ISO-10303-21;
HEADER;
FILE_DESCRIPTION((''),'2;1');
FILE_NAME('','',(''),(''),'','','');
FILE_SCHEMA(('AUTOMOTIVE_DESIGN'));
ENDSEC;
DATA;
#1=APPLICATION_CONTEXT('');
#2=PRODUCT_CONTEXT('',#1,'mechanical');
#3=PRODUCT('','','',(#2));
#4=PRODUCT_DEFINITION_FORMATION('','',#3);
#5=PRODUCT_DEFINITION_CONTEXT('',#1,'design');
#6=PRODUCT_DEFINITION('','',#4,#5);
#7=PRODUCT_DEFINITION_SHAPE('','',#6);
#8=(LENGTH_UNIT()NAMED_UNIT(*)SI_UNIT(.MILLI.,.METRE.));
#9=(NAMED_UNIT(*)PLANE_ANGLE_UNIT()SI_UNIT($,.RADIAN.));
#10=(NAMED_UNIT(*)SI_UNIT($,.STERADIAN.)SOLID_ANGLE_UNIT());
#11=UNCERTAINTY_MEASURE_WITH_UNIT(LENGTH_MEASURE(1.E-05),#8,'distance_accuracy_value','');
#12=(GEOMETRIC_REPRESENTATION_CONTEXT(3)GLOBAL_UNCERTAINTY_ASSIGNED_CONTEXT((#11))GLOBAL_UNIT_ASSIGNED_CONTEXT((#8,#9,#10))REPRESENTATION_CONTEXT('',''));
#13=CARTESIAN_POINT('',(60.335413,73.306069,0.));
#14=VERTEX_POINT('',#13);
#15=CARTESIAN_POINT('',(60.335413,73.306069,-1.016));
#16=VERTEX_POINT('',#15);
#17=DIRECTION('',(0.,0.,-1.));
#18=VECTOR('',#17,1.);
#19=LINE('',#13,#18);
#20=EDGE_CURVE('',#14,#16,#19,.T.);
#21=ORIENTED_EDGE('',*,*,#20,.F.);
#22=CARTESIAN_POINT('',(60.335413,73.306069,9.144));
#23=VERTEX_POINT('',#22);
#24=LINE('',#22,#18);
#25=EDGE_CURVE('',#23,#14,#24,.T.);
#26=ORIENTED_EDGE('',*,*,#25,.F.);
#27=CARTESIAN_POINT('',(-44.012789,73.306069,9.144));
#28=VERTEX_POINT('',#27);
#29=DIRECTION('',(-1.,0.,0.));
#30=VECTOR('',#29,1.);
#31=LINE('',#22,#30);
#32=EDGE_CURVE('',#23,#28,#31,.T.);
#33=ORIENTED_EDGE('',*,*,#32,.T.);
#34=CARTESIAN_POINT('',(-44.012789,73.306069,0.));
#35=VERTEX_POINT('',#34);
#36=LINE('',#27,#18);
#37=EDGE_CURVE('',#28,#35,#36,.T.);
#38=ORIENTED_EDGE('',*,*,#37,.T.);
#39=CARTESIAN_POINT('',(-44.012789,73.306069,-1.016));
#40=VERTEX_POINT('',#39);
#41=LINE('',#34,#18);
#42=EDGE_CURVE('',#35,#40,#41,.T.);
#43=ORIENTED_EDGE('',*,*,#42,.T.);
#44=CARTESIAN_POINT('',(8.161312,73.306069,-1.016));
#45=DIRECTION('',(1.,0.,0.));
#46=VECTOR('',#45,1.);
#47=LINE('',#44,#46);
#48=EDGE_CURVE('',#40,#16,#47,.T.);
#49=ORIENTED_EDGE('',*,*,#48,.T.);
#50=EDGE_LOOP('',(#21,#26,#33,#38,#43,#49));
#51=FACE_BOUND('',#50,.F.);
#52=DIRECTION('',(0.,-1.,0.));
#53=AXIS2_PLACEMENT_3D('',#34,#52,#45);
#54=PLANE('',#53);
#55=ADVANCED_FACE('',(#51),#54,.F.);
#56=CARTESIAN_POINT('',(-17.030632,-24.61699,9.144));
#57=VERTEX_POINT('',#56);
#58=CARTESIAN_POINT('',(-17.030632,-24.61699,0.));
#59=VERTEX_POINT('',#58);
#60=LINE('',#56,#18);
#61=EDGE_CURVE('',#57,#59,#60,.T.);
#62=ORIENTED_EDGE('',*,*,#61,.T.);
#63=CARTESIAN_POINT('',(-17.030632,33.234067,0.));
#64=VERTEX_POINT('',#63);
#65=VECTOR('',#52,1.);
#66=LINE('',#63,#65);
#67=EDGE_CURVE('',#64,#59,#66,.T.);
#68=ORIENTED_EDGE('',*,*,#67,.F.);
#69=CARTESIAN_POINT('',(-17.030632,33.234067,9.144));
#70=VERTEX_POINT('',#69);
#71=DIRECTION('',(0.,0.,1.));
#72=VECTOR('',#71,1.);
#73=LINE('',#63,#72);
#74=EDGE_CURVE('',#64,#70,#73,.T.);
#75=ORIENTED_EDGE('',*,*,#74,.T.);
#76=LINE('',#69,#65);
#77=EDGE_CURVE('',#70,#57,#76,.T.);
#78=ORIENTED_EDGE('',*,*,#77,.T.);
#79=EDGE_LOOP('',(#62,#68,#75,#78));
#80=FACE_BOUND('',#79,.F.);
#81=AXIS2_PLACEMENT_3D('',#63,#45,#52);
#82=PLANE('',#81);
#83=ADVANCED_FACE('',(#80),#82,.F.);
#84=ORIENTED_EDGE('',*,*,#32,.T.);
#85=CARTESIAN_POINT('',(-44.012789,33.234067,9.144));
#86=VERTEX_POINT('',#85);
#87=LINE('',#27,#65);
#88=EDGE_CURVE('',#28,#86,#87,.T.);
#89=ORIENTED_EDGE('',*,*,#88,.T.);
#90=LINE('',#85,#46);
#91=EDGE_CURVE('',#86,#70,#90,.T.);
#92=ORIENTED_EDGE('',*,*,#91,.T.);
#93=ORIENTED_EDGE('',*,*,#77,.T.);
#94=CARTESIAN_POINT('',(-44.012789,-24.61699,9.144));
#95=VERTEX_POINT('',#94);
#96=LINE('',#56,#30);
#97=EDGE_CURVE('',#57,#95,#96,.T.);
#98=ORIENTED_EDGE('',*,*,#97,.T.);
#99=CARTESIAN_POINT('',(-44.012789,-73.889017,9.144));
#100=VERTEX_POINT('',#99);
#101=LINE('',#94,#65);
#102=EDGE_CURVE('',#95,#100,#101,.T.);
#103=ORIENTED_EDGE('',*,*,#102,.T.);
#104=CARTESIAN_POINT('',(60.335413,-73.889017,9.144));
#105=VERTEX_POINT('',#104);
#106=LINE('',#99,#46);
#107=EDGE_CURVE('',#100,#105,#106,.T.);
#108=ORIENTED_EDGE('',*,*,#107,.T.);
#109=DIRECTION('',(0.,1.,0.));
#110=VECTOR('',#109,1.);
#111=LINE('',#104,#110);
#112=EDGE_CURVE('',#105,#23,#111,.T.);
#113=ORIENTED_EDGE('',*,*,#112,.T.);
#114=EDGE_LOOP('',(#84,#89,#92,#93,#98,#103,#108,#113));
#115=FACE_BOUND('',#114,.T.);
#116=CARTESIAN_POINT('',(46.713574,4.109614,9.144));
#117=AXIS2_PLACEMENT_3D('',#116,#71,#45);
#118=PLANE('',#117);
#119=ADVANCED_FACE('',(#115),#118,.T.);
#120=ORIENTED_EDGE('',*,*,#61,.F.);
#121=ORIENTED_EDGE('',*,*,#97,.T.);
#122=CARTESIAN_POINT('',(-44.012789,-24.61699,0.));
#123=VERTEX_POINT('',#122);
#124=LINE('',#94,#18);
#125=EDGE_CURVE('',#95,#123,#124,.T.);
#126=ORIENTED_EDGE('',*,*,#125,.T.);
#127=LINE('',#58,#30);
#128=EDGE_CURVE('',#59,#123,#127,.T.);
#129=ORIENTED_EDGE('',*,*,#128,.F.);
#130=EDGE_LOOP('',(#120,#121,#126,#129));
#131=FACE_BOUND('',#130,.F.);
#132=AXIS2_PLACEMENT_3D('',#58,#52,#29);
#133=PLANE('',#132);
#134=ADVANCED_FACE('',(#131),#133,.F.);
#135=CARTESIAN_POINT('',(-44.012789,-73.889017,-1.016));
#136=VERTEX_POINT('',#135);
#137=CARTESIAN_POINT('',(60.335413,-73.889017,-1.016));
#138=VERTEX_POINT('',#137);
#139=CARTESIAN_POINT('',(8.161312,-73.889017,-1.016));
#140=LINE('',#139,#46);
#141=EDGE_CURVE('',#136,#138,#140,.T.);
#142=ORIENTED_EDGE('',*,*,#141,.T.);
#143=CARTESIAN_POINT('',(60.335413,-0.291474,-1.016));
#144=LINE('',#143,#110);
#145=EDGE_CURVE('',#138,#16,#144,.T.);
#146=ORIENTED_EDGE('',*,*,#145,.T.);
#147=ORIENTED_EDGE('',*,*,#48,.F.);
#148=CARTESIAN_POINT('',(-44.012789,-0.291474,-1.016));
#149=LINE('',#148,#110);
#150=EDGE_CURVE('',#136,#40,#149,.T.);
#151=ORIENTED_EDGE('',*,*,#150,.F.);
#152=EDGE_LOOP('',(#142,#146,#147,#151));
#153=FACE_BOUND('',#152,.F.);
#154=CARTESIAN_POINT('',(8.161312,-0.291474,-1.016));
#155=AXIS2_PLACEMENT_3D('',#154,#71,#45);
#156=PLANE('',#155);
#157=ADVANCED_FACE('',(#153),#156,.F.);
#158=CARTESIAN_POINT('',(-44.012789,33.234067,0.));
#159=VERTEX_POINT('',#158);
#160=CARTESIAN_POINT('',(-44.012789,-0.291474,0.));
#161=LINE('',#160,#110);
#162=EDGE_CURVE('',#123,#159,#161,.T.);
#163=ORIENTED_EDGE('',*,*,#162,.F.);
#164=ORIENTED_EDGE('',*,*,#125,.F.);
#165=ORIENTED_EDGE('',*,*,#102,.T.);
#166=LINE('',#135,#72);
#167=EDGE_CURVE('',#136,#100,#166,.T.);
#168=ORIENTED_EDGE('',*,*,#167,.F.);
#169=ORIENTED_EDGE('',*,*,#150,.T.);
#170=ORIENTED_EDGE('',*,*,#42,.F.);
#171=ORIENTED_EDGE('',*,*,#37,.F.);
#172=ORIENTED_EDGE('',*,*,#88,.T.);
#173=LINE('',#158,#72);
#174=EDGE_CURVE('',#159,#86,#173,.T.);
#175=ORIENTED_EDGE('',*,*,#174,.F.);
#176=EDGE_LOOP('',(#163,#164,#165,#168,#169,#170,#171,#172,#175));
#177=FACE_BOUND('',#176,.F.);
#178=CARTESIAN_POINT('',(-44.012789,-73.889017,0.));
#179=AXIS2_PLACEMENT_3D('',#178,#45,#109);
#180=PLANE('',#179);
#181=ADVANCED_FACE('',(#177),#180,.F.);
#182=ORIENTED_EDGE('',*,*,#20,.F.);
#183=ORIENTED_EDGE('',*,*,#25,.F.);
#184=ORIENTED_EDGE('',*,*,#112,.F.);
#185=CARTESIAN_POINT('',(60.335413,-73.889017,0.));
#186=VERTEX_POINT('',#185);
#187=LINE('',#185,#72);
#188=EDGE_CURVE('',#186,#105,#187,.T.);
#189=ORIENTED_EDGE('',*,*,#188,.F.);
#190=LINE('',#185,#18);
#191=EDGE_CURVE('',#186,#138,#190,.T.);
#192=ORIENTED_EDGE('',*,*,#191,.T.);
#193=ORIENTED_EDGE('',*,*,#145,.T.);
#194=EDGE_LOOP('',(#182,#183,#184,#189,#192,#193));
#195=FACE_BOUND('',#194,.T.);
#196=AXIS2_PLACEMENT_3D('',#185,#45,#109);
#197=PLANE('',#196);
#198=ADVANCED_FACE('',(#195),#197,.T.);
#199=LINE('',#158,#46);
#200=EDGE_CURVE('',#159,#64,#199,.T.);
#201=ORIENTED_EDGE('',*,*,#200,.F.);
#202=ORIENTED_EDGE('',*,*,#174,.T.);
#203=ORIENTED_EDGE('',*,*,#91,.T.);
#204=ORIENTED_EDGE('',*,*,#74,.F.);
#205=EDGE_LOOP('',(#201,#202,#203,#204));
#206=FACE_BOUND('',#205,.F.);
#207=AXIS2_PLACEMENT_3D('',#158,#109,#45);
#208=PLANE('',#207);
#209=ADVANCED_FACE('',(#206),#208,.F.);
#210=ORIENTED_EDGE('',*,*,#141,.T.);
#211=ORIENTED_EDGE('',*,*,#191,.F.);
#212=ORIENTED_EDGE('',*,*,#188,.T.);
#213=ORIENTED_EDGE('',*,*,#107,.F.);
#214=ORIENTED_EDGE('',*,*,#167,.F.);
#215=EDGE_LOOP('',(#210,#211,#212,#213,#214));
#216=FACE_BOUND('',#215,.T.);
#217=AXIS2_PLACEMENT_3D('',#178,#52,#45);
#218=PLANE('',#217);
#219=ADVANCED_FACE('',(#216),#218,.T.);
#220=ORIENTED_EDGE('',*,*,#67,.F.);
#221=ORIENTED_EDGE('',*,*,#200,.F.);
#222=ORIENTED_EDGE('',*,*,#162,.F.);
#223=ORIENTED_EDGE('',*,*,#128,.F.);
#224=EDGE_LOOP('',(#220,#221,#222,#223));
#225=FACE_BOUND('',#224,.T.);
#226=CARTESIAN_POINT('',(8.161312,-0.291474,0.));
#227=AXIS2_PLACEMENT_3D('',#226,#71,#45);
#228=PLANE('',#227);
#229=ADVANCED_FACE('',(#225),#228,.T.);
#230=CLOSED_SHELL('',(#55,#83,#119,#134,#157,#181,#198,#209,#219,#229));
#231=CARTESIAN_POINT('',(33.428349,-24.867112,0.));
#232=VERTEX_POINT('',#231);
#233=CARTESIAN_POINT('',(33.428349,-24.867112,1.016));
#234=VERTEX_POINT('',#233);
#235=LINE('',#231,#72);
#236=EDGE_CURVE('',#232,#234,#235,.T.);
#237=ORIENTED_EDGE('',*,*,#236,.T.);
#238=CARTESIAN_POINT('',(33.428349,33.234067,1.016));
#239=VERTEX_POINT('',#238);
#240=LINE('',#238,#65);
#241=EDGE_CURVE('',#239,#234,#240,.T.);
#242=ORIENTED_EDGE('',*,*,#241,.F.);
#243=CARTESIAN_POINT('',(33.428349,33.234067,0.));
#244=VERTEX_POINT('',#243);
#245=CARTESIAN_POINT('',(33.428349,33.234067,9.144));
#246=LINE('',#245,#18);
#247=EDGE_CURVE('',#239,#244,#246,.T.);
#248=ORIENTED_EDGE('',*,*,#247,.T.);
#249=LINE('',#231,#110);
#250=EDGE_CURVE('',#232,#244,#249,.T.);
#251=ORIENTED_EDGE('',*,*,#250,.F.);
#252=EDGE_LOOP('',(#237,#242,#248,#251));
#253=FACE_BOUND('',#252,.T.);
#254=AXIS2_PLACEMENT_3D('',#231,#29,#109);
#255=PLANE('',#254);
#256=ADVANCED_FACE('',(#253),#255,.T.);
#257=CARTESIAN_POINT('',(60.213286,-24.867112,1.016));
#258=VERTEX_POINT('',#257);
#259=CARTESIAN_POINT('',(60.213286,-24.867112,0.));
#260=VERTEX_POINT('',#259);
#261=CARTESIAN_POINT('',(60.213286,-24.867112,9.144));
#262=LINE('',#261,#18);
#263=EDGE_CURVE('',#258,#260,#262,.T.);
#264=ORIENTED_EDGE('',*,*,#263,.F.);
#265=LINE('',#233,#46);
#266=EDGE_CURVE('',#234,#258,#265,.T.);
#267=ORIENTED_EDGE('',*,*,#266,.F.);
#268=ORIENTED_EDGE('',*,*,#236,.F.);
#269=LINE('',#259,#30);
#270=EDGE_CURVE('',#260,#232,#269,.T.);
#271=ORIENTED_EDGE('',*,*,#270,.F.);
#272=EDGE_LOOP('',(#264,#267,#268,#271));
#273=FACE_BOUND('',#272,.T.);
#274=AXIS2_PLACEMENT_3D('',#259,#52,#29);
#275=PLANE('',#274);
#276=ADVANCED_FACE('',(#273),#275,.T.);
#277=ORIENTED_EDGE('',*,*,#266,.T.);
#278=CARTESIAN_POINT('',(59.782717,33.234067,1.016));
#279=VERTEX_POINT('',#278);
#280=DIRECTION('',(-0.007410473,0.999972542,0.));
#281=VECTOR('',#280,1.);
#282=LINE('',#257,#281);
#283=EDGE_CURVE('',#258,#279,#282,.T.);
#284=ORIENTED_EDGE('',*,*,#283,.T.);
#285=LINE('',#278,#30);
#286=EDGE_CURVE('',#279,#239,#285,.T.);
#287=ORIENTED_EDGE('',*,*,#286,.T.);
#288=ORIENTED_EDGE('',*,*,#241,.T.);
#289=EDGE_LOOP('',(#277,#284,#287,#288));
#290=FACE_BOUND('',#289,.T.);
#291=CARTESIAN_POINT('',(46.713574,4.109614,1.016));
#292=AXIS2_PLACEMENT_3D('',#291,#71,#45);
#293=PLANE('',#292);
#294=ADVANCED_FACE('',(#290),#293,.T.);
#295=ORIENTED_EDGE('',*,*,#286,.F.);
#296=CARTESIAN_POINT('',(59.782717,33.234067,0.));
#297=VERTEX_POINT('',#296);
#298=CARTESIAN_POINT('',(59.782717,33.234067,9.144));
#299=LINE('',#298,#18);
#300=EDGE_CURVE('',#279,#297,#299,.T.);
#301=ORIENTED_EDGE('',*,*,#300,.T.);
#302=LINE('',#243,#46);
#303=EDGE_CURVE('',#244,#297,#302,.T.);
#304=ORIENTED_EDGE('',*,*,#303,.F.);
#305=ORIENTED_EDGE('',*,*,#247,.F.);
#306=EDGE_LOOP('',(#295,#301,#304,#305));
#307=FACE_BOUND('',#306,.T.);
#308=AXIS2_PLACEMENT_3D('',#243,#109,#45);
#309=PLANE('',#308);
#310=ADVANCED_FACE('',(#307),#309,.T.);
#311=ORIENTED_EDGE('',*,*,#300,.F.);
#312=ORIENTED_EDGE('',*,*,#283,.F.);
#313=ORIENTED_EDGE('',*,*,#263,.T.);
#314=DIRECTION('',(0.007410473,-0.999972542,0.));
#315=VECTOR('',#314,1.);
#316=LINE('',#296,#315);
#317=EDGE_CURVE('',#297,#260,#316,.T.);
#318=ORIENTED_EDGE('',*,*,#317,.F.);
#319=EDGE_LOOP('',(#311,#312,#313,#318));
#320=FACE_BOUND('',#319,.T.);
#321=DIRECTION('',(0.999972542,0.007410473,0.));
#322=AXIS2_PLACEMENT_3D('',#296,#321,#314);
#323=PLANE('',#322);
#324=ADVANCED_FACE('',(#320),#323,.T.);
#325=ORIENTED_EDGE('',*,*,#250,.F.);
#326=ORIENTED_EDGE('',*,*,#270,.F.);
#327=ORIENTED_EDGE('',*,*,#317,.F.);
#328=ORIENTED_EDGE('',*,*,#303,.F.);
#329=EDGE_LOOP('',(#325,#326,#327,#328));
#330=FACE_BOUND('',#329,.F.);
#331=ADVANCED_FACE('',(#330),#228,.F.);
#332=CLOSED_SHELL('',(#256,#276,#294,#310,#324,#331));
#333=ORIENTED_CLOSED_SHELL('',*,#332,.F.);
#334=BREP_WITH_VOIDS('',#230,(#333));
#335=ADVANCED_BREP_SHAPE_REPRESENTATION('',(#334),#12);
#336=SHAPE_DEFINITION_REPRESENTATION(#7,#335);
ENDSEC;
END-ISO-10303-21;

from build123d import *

# Parameters (mm, degrees)
F2_DEPTH = 9.144
F0_W     = 104.3482013047
F0_H     = 147.1950858831
F3_DEPTH = 1.016
F5_DEPTH = 8.128


with BuildPart() as f2:
    # F1 (on face) → F2 (new body)
    with BuildSketch(Plane.XY):
        Polygon((-44.0127886832, 33.2340672612), (-17.0306321234, 33.2340672612), (-17.0306321234, -24.6169902384), (-44.0127886832, -24.6169902384), (-44.0127886832, -73.8890171051), (60.3354126215, -73.8890171051), (60.3354126215, 73.306068778), (-44.0127886832, 73.306068778), align=None)
        Polygon((33.4283486009, -24.867111817), (33.4283486009, 33.2340672612), (59.7827173769, 33.2340672612), (60.2132864296, -24.867111817), align=None, mode=Mode.SUBTRACT)
    extrude(amount=F2_DEPTH)

    # F0 (on Top) + F2_face (on face) → F3 (join)
    with BuildSketch(Plane.XY):
        with Locations((8.1613119692, -0.2914741635)):
            Rectangle(F0_W, F0_H)
    with BuildSketch(Plane(origin=(8.2321469679, -1.4312137142, 9.144), x_dir=(1, 0, 0), z_dir=(0, 0, 1))):
        Polygon((-52.2449356511, 34.6652809755), (-25.2627790912, 34.6652809755), (-25.2627790912, -23.1857765242), (-52.2449356511, -23.1857765242), (-52.2449356511, -72.4578033909), (52.1032656536, -72.4578033909), (52.1032656536, 74.7372824923), (-52.2449356511, 74.7372824923), align=None)
        Polygon((51.9811394618, -23.4358981028), (25.196201633, -23.4358981028), (25.196201633, 34.6652809755), (51.5505704091, 34.6652809755), align=None, mode=Mode.SUBTRACT)
    extrude(amount=-F3_DEPTH)

    # F4 (on face) → F5 (join)
    with BuildSketch(Plane.XY.offset(9.144)):
        Polygon((59.7827173769, 33.2340672612), (33.4283486009, 33.2340672612), (33.4283486009, -24.867111817), (60.2132864296, -24.867111817), align=None)
    extrude(amount=-F5_DEPTH)


solid = f2.part
